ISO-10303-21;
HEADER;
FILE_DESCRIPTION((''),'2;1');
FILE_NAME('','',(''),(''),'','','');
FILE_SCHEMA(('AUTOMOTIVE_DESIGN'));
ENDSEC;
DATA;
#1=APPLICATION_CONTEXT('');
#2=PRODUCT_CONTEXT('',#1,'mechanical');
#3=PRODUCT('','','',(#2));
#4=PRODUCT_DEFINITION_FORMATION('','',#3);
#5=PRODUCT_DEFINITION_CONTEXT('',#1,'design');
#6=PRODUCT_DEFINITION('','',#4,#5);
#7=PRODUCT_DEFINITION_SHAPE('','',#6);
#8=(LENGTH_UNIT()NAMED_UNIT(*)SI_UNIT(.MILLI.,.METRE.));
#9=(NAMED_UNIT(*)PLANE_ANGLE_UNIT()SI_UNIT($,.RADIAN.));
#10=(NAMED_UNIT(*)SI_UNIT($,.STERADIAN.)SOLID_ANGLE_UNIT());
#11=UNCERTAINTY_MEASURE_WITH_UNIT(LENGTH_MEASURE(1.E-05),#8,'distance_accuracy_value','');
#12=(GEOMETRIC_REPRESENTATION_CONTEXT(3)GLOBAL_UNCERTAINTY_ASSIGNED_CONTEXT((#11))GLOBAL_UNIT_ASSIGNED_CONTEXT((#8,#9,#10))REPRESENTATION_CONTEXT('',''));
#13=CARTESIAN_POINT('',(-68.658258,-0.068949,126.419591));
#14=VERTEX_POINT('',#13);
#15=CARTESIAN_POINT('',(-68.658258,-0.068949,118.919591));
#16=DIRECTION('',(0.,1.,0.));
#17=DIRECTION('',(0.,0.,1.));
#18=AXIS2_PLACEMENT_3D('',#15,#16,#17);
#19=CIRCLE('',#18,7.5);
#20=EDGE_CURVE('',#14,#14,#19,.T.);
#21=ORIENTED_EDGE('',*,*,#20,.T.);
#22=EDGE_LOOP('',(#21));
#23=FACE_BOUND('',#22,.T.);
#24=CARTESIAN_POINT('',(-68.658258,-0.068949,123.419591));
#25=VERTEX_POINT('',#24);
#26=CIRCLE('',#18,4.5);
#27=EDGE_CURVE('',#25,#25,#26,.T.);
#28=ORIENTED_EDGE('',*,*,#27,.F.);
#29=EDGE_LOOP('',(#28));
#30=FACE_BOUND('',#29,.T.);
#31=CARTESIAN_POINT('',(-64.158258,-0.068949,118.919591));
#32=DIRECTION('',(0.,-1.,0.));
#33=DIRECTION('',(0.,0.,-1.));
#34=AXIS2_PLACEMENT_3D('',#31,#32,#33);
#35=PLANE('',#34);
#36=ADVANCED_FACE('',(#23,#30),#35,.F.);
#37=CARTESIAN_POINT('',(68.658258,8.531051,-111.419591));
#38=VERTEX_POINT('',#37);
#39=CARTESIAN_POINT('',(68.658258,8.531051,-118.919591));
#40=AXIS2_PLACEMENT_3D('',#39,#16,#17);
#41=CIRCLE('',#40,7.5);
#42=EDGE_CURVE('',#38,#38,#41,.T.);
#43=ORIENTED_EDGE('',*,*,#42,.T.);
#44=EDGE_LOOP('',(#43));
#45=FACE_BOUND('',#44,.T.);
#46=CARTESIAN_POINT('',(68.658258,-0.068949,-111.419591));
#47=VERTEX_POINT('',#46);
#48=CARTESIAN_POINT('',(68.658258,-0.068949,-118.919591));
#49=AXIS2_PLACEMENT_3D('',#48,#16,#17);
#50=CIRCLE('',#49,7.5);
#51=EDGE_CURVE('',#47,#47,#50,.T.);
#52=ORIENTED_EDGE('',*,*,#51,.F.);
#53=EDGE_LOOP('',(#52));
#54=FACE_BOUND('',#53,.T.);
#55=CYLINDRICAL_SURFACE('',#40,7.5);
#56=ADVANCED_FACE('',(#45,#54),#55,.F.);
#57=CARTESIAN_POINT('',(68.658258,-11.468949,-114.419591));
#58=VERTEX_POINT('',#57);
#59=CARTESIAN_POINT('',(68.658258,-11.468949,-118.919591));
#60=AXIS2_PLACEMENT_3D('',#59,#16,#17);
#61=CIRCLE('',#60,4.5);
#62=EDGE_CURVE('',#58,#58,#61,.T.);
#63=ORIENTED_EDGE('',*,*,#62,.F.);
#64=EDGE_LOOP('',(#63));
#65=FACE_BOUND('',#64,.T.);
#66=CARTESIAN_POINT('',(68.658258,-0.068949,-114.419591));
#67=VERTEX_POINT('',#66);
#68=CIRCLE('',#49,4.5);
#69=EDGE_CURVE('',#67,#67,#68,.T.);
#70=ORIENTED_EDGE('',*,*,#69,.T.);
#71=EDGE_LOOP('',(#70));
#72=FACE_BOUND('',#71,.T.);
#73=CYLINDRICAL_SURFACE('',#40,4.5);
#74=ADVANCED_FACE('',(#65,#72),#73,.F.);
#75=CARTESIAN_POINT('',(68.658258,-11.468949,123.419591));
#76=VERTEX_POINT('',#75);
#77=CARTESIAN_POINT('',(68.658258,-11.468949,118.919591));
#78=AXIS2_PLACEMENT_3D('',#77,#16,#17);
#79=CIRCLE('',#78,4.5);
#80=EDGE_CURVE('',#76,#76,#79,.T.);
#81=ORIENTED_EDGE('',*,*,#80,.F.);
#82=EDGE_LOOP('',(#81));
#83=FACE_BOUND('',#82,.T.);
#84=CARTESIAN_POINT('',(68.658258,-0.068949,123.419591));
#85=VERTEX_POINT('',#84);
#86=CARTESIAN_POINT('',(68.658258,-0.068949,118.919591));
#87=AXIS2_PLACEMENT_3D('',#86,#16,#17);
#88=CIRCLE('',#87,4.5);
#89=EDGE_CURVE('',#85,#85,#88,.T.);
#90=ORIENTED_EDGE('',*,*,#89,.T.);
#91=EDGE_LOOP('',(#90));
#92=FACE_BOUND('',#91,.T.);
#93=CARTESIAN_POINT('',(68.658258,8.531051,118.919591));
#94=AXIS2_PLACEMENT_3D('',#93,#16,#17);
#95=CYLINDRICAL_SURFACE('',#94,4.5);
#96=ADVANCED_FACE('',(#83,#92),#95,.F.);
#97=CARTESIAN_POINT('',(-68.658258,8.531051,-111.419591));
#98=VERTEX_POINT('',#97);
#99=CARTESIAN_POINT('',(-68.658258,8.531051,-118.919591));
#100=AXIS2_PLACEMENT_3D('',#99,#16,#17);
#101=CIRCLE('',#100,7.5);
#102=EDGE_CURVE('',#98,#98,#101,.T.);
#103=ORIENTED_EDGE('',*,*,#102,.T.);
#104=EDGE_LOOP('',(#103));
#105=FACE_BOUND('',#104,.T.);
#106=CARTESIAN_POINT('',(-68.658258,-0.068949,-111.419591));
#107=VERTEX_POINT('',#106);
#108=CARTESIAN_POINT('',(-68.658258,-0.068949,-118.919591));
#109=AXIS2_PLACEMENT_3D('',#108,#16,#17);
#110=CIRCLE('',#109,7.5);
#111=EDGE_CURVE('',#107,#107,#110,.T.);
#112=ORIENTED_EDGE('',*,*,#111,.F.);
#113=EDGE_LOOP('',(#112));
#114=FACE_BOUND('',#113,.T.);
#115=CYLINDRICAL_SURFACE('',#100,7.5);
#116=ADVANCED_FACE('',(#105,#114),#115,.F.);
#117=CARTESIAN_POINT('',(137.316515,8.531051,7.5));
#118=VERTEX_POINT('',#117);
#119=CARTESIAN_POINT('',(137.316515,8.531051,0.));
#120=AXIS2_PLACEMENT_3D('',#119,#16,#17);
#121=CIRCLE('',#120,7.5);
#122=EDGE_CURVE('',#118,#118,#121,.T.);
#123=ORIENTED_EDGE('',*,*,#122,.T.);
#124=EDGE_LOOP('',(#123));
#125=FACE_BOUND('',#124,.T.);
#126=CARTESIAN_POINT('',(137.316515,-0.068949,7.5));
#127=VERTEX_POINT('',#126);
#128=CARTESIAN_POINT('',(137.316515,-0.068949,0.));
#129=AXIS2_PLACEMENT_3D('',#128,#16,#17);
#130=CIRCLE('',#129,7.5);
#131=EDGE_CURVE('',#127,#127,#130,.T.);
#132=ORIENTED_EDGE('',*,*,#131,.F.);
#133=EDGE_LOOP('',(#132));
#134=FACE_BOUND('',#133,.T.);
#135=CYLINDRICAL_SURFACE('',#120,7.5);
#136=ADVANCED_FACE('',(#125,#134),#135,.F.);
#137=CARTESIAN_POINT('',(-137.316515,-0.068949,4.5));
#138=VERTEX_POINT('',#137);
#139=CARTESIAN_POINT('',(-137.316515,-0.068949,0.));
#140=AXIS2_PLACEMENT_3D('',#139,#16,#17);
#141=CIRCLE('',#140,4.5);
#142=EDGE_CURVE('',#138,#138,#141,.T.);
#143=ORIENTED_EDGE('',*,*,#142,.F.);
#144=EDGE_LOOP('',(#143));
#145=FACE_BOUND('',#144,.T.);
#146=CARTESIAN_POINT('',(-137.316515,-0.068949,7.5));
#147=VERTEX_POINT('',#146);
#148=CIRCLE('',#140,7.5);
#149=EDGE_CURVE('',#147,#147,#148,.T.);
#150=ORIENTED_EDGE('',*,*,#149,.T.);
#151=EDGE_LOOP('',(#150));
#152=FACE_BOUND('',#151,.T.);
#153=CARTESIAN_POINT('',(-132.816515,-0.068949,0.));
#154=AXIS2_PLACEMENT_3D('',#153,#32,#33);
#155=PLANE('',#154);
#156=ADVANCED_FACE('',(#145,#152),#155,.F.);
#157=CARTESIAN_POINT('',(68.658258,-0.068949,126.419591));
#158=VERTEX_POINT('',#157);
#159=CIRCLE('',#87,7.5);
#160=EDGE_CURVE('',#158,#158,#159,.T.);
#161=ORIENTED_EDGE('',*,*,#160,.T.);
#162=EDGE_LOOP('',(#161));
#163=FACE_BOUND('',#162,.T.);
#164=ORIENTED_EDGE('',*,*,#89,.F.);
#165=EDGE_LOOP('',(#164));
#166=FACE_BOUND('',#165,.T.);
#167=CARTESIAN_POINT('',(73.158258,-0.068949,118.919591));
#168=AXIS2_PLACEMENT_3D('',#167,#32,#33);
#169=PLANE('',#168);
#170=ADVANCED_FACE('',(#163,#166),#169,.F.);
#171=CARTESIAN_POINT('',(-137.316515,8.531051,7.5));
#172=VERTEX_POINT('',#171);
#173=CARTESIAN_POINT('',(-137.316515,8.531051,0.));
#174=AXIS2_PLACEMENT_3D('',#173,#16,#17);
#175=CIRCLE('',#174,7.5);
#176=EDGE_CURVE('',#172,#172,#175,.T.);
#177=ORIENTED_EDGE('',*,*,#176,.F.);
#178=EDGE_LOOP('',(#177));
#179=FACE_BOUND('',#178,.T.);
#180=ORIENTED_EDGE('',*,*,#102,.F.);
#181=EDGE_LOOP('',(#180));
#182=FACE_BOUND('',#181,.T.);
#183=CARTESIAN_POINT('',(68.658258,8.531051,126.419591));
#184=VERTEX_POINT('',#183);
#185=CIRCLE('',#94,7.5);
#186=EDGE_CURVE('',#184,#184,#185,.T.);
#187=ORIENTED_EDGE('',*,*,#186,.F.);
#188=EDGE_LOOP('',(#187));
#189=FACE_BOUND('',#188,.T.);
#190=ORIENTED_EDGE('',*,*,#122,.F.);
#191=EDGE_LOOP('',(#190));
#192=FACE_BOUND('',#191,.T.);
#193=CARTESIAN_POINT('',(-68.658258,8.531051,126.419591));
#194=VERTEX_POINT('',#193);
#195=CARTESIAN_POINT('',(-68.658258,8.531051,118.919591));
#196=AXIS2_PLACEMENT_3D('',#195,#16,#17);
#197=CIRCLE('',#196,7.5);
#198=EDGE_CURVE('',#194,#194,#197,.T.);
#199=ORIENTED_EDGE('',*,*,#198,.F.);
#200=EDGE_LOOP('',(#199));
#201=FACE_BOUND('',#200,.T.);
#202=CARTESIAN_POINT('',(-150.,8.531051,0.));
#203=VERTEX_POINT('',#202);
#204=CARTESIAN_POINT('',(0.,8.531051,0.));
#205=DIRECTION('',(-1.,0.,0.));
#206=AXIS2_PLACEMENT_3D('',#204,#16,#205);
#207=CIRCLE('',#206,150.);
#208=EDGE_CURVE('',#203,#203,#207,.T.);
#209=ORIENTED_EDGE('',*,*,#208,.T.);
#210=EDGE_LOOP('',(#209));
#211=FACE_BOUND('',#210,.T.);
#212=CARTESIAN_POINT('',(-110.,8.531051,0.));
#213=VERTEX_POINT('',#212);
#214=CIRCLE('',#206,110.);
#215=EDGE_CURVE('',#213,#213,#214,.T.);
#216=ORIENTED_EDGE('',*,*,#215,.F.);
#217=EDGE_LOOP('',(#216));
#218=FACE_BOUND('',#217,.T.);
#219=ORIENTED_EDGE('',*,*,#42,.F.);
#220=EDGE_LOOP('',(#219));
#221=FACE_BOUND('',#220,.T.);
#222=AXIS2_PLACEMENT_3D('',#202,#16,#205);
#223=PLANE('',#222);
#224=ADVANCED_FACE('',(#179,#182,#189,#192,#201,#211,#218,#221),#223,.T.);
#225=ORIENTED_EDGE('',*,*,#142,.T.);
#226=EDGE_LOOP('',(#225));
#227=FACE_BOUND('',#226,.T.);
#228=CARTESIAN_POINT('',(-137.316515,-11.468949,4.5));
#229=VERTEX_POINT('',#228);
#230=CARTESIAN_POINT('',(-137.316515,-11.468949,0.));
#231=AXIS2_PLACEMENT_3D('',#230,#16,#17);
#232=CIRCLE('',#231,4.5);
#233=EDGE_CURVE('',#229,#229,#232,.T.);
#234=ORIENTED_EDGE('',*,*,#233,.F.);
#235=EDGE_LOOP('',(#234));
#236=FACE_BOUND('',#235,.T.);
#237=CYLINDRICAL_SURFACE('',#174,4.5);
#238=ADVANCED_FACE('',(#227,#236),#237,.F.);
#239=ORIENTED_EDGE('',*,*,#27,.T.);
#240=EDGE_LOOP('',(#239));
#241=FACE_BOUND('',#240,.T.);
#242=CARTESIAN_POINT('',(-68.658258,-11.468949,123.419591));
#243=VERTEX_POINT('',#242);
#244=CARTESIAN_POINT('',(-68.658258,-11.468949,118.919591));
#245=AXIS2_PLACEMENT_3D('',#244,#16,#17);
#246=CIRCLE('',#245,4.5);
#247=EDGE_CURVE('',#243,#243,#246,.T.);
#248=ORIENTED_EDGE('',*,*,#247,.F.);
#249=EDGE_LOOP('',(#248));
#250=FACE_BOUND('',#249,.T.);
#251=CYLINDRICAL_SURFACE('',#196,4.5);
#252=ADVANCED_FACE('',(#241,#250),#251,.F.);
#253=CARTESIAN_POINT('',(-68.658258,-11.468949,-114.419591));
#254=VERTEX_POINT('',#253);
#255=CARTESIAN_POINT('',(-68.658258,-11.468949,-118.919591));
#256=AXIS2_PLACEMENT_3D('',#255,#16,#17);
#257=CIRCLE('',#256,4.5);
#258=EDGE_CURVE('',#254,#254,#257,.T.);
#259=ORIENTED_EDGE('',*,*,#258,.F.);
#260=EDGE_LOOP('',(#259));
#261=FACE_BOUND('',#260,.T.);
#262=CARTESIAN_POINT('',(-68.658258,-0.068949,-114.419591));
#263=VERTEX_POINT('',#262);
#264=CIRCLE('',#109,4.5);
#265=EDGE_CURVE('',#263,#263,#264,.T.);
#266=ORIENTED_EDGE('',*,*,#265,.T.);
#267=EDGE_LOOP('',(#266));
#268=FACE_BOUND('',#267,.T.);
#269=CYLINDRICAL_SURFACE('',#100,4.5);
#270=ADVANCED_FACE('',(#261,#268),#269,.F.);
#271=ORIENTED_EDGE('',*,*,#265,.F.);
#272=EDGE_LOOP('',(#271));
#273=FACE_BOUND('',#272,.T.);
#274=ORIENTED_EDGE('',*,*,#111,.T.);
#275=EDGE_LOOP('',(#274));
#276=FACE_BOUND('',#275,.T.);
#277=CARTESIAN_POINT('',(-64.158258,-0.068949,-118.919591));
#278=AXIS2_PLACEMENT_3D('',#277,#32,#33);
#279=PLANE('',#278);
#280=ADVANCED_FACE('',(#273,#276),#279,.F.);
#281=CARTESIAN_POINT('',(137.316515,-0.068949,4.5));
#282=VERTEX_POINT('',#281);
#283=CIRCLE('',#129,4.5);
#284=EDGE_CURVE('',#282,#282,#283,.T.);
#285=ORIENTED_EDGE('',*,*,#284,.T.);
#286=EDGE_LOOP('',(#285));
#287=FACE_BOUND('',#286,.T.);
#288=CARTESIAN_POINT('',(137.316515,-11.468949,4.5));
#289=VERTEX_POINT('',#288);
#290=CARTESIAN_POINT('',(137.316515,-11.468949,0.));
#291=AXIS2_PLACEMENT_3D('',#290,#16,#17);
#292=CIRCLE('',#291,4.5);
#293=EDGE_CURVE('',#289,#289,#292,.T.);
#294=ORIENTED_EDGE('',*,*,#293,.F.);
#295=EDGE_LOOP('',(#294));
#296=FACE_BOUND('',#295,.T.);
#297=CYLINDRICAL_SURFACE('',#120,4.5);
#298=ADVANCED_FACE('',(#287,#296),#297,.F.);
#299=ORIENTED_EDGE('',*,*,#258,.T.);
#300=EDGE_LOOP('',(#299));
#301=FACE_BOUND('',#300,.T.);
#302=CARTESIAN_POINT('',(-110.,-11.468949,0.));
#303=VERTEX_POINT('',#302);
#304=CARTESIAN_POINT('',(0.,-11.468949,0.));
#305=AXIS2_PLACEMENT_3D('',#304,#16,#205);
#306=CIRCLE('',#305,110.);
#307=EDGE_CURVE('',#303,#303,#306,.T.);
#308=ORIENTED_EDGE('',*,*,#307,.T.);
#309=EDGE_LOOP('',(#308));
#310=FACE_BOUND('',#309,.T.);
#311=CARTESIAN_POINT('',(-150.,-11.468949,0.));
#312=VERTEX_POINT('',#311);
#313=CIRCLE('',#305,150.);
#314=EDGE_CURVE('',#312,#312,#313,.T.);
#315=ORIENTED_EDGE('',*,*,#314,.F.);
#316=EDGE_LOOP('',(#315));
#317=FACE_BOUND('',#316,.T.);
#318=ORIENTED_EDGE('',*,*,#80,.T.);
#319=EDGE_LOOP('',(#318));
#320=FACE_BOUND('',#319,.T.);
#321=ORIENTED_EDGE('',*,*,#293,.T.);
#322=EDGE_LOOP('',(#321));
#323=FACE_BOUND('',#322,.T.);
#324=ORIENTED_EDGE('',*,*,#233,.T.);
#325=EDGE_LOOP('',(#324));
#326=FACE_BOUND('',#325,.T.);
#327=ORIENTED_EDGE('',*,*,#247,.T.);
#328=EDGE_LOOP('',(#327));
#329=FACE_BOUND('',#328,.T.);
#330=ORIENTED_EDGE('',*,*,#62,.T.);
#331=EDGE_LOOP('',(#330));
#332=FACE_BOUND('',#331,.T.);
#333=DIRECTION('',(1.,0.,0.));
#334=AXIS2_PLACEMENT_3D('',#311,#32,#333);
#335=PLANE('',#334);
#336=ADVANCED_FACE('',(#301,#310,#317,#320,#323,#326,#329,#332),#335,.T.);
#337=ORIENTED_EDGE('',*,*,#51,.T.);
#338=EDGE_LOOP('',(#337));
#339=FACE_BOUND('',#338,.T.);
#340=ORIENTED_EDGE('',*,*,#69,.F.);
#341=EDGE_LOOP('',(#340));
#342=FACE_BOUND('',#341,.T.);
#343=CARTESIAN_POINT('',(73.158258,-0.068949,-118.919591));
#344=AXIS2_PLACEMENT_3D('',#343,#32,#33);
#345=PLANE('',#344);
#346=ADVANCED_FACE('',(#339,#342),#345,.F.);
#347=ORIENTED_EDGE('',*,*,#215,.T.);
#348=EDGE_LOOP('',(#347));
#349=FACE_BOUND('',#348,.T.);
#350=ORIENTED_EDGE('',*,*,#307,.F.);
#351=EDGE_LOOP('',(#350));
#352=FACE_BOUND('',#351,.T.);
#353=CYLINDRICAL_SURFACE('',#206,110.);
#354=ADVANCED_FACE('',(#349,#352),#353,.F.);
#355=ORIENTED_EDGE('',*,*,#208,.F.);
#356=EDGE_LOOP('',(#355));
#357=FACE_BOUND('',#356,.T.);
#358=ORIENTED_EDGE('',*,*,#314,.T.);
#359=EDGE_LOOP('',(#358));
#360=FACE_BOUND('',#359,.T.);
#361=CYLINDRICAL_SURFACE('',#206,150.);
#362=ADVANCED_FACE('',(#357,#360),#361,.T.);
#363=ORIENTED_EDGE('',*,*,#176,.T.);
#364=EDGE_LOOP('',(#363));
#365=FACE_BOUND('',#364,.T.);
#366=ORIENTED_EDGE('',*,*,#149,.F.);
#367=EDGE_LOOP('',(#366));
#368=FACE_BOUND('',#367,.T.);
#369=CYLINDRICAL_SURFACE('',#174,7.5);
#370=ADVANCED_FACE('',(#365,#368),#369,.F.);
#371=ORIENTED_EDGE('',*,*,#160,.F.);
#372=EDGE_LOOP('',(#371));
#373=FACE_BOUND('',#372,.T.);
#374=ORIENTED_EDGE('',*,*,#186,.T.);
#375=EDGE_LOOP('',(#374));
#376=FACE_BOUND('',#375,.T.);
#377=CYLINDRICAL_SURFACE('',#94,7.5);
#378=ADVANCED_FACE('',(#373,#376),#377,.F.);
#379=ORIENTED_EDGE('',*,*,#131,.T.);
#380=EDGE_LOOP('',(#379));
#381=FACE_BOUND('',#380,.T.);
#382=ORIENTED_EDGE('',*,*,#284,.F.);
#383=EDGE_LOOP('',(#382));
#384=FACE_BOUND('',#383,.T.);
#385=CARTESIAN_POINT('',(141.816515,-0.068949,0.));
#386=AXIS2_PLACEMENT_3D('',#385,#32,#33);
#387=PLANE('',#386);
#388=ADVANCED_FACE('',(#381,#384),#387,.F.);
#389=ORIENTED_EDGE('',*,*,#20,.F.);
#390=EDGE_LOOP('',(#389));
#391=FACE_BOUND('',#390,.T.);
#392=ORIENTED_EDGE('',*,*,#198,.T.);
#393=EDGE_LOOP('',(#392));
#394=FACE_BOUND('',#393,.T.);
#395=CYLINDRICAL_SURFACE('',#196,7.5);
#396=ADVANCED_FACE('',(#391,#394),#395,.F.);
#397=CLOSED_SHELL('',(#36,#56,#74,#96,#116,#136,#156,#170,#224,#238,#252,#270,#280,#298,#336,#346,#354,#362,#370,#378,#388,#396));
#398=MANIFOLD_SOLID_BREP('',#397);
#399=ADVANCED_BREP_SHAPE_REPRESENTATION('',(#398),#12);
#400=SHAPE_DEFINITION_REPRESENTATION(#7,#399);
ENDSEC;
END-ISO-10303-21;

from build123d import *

# Parameters (mm, degrees)
SZKIC1_W                                            = 40
SZKIC1_H                                            = 20
POG_BIENIE_WALCOWE_POD_M8_WKR_T_Z_BEM_W_D           = 9
POG_BIENIE_WALCOWE_POD_M8_WKR_T_Z_BEM_W_CBORE_D     = 15
POG_BIENIE_WALCOWE_POD_M8_WKR_T_Z_BEM_W_CBORE_DEPTH = 8.6


with BuildPart() as part:
    # Szkic1 → Obrót1 (revolve)
    with BuildSketch(Plane.XY):
        with Locations((-130, -1.468948521)):
            Rectangle(SZKIC1_W, SZKIC1_H)
    revolve(axis=Axis((0, 8.531051479, 0), (0, -1, 0)))

    # Pogłębienie walcowe pod M8 Wkręt z łbem walcowym z gniazdem sześciokątnym1 (through all)
    with Locations(Plane(origin=(2.665933908, 8.531051479, 0), x_dir=(1, 0, 0), z_dir=(0, 1, 0))):
        with Locations((-139.982449122, 0), (-71.324191515, 118.919590535), (65.9923237, 118.919590535), (134.650581307, 0), (65.9923237, -118.919590535), (-71.324191515, -118.919590535)):
            CounterBoreHole(POG_BIENIE_WALCOWE_POD_M8_WKR_T_Z_BEM_W_D / 2, POG_BIENIE_WALCOWE_POD_M8_WKR_T_Z_BEM_W_CBORE_D / 2, POG_BIENIE_WALCOWE_POD_M8_WKR_T_Z_BEM_W_CBORE_DEPTH)


solid = part.part
